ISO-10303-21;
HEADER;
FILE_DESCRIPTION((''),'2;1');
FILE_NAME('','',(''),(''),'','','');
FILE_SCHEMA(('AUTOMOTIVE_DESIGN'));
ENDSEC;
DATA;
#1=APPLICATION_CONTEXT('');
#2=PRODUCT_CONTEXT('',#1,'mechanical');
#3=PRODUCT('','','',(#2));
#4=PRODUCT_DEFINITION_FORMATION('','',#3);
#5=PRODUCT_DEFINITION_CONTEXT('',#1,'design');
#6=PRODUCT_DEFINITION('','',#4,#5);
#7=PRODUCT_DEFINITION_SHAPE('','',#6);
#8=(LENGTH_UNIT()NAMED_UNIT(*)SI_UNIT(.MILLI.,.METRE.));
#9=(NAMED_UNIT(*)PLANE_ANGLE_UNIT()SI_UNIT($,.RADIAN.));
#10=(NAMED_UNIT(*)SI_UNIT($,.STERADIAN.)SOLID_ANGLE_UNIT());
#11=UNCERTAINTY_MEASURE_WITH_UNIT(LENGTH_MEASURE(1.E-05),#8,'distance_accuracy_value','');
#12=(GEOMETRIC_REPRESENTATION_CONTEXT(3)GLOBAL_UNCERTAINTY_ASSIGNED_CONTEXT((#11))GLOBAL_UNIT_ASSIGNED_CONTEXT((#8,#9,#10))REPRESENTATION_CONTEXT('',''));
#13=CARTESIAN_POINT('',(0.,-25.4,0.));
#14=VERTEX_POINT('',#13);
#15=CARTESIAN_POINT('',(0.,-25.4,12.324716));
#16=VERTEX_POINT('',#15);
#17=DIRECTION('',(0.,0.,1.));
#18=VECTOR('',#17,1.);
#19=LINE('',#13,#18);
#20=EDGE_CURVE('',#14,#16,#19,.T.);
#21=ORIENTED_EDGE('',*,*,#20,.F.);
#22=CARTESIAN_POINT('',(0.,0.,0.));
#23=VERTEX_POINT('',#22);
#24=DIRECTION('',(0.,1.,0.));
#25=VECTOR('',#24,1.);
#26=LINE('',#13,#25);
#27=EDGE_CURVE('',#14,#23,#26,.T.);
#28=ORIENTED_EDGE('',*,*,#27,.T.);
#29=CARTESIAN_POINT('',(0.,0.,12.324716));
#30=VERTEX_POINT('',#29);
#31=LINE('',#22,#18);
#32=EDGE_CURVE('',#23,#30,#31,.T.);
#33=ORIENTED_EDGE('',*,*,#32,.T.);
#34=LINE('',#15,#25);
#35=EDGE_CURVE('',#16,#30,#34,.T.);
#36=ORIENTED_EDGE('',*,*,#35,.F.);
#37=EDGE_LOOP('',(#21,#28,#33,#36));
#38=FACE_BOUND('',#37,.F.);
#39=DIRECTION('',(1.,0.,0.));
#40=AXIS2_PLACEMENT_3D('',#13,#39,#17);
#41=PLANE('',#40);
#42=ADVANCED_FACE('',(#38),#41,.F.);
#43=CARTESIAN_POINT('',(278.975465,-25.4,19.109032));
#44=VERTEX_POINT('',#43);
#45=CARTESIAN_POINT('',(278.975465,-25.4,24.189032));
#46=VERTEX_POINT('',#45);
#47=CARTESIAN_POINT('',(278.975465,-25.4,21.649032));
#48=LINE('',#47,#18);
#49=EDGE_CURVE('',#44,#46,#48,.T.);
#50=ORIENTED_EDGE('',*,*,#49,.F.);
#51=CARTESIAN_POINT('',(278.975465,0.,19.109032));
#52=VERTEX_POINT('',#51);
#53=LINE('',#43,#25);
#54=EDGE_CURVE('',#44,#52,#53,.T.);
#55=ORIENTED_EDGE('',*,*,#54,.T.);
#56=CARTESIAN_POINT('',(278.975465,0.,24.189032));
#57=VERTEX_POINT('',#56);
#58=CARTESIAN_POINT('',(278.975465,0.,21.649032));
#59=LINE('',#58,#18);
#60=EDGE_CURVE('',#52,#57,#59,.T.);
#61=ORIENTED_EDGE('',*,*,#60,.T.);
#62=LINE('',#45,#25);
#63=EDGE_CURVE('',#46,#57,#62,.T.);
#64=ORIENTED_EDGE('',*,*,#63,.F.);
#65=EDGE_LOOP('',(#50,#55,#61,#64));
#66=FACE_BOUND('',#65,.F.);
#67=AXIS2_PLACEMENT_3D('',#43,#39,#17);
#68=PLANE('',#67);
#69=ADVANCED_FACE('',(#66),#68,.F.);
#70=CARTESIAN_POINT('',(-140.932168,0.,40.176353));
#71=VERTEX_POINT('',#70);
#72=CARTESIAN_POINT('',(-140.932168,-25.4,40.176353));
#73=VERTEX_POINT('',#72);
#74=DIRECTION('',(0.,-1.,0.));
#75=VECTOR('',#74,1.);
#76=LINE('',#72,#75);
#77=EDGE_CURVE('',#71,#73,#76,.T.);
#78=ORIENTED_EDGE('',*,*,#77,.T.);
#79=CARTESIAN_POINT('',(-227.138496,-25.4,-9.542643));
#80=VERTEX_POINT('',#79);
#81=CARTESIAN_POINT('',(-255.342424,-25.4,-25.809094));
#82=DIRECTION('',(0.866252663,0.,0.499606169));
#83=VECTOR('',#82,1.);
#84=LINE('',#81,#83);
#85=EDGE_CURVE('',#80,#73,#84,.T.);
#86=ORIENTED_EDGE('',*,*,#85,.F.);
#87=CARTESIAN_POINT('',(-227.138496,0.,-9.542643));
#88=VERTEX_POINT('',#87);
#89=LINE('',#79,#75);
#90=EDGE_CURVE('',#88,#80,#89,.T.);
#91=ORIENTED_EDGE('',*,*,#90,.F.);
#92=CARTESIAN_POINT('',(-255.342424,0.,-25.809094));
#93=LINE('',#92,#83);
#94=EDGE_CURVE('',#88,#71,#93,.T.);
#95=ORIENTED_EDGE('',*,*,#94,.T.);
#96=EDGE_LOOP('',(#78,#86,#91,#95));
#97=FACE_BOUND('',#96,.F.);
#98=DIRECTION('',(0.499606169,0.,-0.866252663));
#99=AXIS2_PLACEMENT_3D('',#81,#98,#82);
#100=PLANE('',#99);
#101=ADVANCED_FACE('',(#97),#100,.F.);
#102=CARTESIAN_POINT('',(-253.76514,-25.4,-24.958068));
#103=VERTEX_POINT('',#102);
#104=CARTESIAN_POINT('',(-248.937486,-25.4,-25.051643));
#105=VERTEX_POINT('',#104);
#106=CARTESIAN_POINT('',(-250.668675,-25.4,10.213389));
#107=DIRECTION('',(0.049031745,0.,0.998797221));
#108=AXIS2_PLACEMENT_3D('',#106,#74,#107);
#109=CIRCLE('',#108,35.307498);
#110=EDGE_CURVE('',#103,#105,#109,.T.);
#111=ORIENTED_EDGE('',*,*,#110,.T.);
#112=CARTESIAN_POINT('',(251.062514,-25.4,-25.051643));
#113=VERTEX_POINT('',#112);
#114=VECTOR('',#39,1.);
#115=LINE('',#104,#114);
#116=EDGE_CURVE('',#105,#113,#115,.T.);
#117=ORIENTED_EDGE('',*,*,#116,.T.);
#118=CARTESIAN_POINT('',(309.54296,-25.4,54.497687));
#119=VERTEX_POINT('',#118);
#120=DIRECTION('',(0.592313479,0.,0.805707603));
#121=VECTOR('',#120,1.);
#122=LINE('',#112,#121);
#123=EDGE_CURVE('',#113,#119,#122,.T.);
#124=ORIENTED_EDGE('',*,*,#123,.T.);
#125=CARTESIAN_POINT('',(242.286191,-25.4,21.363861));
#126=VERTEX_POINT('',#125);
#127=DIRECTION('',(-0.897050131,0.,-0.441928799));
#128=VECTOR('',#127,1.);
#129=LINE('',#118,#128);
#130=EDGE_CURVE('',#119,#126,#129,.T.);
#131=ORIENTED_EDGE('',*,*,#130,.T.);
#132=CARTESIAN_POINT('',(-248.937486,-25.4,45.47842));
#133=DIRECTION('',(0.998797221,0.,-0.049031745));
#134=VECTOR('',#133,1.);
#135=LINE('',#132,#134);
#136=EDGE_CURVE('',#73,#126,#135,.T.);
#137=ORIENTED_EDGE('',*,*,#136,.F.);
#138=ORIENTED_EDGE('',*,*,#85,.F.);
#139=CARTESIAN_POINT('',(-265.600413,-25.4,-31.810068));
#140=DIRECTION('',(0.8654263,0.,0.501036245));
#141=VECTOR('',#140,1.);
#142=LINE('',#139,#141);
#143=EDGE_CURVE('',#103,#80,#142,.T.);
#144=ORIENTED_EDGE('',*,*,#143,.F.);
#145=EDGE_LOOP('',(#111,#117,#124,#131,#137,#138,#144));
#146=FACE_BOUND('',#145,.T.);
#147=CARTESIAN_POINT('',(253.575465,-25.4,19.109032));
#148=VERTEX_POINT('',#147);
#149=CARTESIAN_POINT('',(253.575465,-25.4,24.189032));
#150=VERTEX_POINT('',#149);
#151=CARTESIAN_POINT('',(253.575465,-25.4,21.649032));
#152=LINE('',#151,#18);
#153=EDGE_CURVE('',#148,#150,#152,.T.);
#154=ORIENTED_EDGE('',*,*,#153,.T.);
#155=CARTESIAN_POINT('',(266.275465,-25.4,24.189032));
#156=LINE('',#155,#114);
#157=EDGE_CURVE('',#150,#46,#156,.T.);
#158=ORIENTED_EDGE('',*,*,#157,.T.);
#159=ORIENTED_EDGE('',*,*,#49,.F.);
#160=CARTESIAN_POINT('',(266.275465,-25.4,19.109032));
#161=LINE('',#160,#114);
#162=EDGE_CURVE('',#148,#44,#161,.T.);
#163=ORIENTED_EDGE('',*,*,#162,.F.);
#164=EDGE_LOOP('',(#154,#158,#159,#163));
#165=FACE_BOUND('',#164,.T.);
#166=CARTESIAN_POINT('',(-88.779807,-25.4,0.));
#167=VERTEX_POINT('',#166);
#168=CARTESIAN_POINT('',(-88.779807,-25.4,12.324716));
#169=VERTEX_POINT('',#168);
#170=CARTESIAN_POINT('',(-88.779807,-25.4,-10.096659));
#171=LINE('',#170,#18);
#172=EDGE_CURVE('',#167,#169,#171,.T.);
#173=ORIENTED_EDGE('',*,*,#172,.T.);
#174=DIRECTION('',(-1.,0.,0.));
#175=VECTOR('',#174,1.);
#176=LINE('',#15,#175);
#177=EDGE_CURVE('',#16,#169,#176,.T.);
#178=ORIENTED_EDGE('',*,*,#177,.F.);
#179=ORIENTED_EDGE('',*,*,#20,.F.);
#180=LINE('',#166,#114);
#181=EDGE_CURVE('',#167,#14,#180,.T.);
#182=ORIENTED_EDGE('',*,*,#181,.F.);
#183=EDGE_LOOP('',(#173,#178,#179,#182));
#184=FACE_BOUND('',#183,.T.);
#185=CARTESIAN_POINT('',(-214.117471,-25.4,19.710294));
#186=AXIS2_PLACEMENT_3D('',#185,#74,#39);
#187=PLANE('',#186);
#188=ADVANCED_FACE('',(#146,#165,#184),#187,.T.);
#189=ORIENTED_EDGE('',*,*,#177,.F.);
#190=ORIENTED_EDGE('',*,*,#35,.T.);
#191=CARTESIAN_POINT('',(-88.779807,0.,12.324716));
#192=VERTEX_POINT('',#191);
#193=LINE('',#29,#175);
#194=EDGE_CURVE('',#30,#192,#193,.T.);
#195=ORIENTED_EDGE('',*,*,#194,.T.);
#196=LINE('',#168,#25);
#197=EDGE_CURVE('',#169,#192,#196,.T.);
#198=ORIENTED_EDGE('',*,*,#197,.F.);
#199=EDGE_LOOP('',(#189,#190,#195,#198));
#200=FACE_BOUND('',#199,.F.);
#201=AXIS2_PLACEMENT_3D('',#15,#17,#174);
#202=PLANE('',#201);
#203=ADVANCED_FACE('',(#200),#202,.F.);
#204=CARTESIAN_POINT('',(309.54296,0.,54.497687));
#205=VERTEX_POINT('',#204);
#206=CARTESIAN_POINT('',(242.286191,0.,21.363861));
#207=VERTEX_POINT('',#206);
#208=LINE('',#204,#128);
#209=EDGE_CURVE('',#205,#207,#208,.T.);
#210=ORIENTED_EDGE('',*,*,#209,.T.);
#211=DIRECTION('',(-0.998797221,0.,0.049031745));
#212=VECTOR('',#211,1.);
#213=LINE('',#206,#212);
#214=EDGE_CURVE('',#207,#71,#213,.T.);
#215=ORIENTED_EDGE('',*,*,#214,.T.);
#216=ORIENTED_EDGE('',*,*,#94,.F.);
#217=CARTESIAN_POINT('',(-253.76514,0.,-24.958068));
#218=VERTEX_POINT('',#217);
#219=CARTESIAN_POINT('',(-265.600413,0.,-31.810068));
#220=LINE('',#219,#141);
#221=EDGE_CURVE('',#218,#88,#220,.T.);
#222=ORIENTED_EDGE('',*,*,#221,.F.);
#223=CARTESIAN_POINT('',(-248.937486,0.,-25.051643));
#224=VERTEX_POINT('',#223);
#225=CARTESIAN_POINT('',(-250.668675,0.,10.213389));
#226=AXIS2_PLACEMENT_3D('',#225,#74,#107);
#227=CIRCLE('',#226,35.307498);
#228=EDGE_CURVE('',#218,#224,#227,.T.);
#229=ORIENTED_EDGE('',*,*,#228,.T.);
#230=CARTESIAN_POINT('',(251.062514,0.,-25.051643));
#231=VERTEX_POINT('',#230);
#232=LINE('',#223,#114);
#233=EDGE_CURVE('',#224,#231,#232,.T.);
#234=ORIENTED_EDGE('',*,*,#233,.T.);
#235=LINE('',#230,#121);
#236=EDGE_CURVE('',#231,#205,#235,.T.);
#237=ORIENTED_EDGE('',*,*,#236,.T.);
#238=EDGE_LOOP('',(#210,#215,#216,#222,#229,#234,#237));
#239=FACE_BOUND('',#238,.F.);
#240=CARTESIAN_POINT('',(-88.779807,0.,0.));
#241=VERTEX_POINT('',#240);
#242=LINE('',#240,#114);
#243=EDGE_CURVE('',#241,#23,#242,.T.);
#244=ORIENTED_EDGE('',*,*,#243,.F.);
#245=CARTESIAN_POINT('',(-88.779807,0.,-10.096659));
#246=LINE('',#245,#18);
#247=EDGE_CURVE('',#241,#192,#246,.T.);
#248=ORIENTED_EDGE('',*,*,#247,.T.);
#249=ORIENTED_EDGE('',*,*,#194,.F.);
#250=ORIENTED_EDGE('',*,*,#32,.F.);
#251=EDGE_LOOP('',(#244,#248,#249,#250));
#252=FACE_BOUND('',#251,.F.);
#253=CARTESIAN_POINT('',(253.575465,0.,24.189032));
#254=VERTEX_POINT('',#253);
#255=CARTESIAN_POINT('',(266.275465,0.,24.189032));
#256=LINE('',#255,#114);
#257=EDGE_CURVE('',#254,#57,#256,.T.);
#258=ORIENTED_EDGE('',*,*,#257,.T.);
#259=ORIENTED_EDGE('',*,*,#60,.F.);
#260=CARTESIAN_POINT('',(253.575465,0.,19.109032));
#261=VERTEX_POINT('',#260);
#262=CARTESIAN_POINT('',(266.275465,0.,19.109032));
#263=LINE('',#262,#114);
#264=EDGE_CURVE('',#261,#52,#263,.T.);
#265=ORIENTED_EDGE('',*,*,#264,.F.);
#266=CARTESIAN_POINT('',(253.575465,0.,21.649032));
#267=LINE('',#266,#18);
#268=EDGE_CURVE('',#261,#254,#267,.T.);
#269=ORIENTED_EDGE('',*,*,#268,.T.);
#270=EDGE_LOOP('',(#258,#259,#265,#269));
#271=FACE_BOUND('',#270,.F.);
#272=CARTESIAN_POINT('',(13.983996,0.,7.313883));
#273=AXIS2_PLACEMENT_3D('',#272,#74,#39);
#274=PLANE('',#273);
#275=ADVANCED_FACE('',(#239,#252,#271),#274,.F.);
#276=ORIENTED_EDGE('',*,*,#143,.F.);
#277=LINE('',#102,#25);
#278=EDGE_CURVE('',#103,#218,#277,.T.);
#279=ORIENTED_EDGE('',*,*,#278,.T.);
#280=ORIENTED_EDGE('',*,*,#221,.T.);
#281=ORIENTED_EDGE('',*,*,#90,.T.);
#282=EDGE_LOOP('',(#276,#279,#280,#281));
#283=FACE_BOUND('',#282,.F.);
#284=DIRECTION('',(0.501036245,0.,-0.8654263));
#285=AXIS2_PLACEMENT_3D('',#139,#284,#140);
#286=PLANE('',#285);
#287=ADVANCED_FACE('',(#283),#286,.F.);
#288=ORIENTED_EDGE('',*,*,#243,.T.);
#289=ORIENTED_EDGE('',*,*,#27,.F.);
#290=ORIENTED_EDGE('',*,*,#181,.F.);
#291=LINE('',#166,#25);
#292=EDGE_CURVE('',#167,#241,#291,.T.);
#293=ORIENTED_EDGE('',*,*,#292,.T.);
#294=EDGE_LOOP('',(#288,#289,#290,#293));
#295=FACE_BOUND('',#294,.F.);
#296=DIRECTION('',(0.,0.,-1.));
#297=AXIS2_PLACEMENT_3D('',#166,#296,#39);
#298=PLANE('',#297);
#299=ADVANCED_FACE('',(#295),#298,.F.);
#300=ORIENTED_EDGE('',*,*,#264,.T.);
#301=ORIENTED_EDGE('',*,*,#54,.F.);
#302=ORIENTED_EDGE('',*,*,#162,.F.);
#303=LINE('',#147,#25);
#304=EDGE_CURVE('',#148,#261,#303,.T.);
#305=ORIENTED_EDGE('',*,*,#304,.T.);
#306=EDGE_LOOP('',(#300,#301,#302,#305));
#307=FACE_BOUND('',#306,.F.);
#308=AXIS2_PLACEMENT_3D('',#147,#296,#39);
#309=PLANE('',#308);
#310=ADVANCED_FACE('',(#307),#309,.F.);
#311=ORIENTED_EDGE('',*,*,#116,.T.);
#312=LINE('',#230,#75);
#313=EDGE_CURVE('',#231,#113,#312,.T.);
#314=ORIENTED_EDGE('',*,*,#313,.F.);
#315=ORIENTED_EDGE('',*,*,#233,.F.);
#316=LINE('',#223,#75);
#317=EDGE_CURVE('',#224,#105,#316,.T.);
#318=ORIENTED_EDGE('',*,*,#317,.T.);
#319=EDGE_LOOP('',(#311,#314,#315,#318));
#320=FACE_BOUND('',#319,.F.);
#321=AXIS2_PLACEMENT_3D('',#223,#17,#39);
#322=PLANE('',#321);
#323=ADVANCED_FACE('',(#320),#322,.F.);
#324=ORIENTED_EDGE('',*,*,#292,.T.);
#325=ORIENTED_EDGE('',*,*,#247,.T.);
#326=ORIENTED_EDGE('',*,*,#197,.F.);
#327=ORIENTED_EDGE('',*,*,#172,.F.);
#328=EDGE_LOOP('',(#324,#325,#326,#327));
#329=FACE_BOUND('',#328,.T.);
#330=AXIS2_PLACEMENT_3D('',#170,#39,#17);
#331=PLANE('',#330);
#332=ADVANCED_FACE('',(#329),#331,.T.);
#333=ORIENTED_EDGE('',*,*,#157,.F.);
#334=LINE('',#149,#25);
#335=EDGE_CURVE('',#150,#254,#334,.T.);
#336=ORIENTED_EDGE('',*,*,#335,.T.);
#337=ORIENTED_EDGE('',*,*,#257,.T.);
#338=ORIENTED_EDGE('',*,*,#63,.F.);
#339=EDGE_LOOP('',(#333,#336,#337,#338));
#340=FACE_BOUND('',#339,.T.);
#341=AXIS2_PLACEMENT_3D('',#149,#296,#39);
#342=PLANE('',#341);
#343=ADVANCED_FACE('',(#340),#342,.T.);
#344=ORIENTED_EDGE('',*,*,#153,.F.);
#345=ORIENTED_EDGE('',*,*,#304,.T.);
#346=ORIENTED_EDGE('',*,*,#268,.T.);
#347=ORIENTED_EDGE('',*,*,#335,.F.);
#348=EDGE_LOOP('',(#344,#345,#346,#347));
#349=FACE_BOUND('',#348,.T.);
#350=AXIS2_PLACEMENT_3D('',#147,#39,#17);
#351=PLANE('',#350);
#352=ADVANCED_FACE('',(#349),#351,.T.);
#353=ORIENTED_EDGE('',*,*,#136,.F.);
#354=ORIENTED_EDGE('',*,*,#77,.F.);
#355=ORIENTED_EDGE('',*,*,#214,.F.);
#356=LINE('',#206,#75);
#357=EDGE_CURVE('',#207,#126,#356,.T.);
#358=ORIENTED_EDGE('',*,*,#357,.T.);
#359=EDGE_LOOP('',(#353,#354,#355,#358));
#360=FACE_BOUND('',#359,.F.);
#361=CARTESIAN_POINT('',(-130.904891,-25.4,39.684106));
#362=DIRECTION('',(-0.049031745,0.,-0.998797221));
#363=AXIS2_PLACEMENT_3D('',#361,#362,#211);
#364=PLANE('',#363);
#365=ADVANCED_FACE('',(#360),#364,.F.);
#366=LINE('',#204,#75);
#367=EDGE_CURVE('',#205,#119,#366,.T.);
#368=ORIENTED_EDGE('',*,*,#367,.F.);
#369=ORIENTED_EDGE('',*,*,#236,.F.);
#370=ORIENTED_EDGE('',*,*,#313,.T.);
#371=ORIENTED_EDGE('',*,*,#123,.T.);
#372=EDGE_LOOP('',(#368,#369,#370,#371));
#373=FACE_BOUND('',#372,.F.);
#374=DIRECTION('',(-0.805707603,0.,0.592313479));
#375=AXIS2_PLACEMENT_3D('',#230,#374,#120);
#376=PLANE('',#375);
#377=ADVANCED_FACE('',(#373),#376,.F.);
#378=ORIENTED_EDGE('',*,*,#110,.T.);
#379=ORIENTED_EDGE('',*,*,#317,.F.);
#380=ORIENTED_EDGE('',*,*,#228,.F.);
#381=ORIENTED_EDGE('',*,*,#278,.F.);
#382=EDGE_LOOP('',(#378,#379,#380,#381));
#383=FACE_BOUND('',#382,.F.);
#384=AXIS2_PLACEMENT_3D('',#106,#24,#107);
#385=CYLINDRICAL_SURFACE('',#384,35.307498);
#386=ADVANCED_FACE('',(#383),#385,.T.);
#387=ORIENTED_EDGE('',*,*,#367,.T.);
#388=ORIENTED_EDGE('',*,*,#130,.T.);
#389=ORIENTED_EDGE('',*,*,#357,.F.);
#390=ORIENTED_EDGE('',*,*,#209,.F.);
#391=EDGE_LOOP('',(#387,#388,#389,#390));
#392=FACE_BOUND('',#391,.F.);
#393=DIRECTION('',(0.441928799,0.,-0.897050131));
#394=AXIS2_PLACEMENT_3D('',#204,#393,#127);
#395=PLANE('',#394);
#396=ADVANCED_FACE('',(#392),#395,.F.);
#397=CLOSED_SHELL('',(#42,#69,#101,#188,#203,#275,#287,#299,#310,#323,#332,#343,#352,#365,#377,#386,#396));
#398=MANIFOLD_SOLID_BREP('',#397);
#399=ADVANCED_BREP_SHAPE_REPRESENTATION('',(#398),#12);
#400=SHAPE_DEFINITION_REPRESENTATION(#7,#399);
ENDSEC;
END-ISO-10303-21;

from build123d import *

# Parameters (mm, degrees)
F1_DEPTH  = 25.4
F2_DEPTH  = 25.4
F3_DEPTH  = 25.4
F5_DEPTH  = 25.4
F7_DEPTH  = 25.4
F9_DEPTH  = 25.4
F10_DEPTH = 25.4
F12_DEPTH = 25.4
F15_DEPTH = 25.4
F16_DEPTH = 25.4
F18_DEPTH = 25.4
F20_DEPTH = 25.4
F21_W     = 25.4
F21_H     = 5.08
F22_DEPTH = 25.4


with BuildPart() as f1:
    # F0 (on Front) → F1 (new body)
    with BuildSketch(Plane.XZ):
        with BuildLine():
            ThreePointArc((-248.9374864935, 45.4784197962), (-285.9761731261, 10.2133885569), (-248.9374864935, -25.0516426824))
            Line((-248.9374864935, -25.0516426824), (251.0625135065, -25.0516426824))
            Line((251.0625135065, -25.0516426824), (309.5429599858, 54.4976872176))
            Line((309.5429599858, 54.4976872176), (242.2861912184, 21.3638611095))
            Line((242.2861912184, 21.3638611095), (-248.9374864935, 45.4784197962))
        make_face()
    extrude(amount=F1_DEPTH)

    # F0 (on Front) → F2 (join)
    with BuildSketch(Plane.XZ):
        with BuildLine():
            ThreePointArc((-248.9374864935, 45.4784197962), (-285.9761731261, 10.2133885569), (-248.9374864935, -25.0516426824))
            Line((-248.9374864935, -25.0516426824), (251.0625135065, -25.0516426824))
            Line((251.0625135065, -25.0516426824), (309.5429599858, 54.4976872176))
            Line((309.5429599858, 54.4976872176), (242.2861912184, 21.3638611095))
            Line((242.2861912184, 21.3638611095), (-248.9374864935, 45.4784197962))
        make_face()
    extrude(amount=F2_DEPTH)

    # F0 (on Front) → F3 (join)
    with BuildSketch(Plane.XZ):
        with BuildLine():
            ThreePointArc((-248.9374864935, 45.4784197962), (-285.9761731261, 10.2133885569), (-248.9374864935, -25.0516426824))
            Line((-248.9374864935, -25.0516426824), (251.0625135065, -25.0516426824))
            Line((251.0625135065, -25.0516426824), (309.5429599858, 54.4976872176))
            Line((309.5429599858, 54.4976872176), (242.2861912184, 21.3638611095))
            Line((242.2861912184, 21.3638611095), (-248.9374864935, 45.4784197962))
        make_face()
    extrude(amount=F3_DEPTH)

    # F4 (on face) → F5 (cut)
    with BuildSketch(Plane.XZ.offset(25.4)):
        with BuildLine():
            ThreePointArc((-88.7798070908, 12.3247159645), (-95.8567415785, 6.1623579822), (-88.7798070908, 0))
            Line((-88.7798070908, 0), (0, 0))
            Line((0, 0), (-88.7798070908, 12.3247159645))
        make_face()
    extrude(amount=-F5_DEPTH, mode=Mode.SUBTRACT)

    # F6 (on face) → F7 (cut)
    with BuildSketch(Plane.XZ.offset(25.4)):
        Polygon((0, 0), (-88.7798070908, 12.3247159645), (-88.7798070908, 0), align=None)
        Polygon((0, 12.3247159645), (-88.7798070908, 12.3247159645), (0, 0), align=None)
    extrude(amount=-F7_DEPTH, mode=Mode.SUBTRACT)

    # F11 (on face) → F12 (join)
    with BuildSketch(Plane.XZ.offset(25.4)):
        with BuildLine():
            ThreePointArc((-88.7798070908, 12.3247159645), (-95.8567415785, 6.1623579822), (-88.7798070908, 0))
            Line((-88.7798070908, 0), (-88.7798070908, 12.3247159645))
        make_face()
        with BuildLine():
            Line((-110.1938635111, -10.0966589525), (-88.7798070908, -10.0966589525))
            Line((-88.7798070908, -10.0966589525), (-88.7798070908, 0))
            ThreePointArc((-88.7798070908, 0), (-95.8567415785, 6.1623579822), (-88.7798070908, 12.3247159645))
            Line((-88.7798070908, 12.3247159645), (-88.7798070908, 19.2268192768))
            Line((-88.7798070908, 19.2268192768), (-110.1938635111, 19.2268192768))
            Line((-110.1938635111, 19.2268192768), (-110.1938635111, -10.0966589525))
        make_face()
    extrude(amount=-F12_DEPTH)

    # F13 (on face) → F15 (join)
    with BuildSketch(Plane.XZ.offset(25.4)):
        with BuildLine():
            ThreePointArc((-248.9374864935, 45.4784197962), (-285.9761731261, 10.2133885569), (-248.9374864935, -25.0516426824))
            Line((-248.9374864935, -25.0516426824), (-130.9048912587, 39.6841063828))
            Line((-130.9048912587, 39.6841063828), (-248.9374864935, 45.4784197962))
        make_face()
    extrude(amount=F15_DEPTH)

    # F16 (cut): a face of the model
    f16_faces = [f1.faces().sort_by_distance(p)[0] for p in [
        (-227.9648580508, -50.8, 16.7633050422),
    ]]
    extrude(f16_faces, amount=-F16_DEPTH, mode=Mode.SUBTRACT)

    # F17 (on face) → F18 (cut)
    with BuildSketch(Plane.XZ.offset(25.4)):
        Polygon((-310.474216938, -22.743826732), (-255.3424239159, -25.8090943098), (-138.7038677931, 41.4615124464), (-278.6701321602, 55.0241321325), align=None)
    extrude(amount=-F18_DEPTH, mode=Mode.SUBTRACT)

    # F19 (on face) → F20 (cut)
    with BuildSketch(Plane.XZ.offset(25.4)):
        Polygon((-265.600413084, -31.8100675941), (-141.2684768438, 40.1715748012), (-274.7080028057, 68.8641965389), (-321.2986290455, 3.4738616087), align=None)
    extrude(amount=-F20_DEPTH, mode=Mode.SUBTRACT)

    # F21 (on face) → F22 (cut)
    with BuildSketch(Plane.XZ.offset(25.4)):
        with Locations((266.2754654884, 21.6490322659)):
            Rectangle(F21_W, F21_H)
    extrude(amount=-F22_DEPTH, mode=Mode.SUBTRACT)


with BuildPart() as f9:
    # F8 (on face) → F9 (new body)
    with BuildSketch(Plane.XZ.offset(25.4)):
        with BuildLine():
            Line((-88.7798070908, 0), (-88.7798070908, 12.3247159645))
            ThreePointArc((-88.7798070908, 12.3247159645), (-95.8567415785, 6.1623579822), (-88.7798070908, 0))
        make_face()
    extrude(amount=F9_DEPTH)

    # F10 (cut): a face of the model
    f10_faces = [f9.faces().sort_by_distance(p)[0] for p in [
        (-91.8199479987, -50.8, 6.1623579822),
    ]]
    extrude(f10_faces, amount=-F10_DEPTH, mode=Mode.SUBTRACT)


solid = f1.part
